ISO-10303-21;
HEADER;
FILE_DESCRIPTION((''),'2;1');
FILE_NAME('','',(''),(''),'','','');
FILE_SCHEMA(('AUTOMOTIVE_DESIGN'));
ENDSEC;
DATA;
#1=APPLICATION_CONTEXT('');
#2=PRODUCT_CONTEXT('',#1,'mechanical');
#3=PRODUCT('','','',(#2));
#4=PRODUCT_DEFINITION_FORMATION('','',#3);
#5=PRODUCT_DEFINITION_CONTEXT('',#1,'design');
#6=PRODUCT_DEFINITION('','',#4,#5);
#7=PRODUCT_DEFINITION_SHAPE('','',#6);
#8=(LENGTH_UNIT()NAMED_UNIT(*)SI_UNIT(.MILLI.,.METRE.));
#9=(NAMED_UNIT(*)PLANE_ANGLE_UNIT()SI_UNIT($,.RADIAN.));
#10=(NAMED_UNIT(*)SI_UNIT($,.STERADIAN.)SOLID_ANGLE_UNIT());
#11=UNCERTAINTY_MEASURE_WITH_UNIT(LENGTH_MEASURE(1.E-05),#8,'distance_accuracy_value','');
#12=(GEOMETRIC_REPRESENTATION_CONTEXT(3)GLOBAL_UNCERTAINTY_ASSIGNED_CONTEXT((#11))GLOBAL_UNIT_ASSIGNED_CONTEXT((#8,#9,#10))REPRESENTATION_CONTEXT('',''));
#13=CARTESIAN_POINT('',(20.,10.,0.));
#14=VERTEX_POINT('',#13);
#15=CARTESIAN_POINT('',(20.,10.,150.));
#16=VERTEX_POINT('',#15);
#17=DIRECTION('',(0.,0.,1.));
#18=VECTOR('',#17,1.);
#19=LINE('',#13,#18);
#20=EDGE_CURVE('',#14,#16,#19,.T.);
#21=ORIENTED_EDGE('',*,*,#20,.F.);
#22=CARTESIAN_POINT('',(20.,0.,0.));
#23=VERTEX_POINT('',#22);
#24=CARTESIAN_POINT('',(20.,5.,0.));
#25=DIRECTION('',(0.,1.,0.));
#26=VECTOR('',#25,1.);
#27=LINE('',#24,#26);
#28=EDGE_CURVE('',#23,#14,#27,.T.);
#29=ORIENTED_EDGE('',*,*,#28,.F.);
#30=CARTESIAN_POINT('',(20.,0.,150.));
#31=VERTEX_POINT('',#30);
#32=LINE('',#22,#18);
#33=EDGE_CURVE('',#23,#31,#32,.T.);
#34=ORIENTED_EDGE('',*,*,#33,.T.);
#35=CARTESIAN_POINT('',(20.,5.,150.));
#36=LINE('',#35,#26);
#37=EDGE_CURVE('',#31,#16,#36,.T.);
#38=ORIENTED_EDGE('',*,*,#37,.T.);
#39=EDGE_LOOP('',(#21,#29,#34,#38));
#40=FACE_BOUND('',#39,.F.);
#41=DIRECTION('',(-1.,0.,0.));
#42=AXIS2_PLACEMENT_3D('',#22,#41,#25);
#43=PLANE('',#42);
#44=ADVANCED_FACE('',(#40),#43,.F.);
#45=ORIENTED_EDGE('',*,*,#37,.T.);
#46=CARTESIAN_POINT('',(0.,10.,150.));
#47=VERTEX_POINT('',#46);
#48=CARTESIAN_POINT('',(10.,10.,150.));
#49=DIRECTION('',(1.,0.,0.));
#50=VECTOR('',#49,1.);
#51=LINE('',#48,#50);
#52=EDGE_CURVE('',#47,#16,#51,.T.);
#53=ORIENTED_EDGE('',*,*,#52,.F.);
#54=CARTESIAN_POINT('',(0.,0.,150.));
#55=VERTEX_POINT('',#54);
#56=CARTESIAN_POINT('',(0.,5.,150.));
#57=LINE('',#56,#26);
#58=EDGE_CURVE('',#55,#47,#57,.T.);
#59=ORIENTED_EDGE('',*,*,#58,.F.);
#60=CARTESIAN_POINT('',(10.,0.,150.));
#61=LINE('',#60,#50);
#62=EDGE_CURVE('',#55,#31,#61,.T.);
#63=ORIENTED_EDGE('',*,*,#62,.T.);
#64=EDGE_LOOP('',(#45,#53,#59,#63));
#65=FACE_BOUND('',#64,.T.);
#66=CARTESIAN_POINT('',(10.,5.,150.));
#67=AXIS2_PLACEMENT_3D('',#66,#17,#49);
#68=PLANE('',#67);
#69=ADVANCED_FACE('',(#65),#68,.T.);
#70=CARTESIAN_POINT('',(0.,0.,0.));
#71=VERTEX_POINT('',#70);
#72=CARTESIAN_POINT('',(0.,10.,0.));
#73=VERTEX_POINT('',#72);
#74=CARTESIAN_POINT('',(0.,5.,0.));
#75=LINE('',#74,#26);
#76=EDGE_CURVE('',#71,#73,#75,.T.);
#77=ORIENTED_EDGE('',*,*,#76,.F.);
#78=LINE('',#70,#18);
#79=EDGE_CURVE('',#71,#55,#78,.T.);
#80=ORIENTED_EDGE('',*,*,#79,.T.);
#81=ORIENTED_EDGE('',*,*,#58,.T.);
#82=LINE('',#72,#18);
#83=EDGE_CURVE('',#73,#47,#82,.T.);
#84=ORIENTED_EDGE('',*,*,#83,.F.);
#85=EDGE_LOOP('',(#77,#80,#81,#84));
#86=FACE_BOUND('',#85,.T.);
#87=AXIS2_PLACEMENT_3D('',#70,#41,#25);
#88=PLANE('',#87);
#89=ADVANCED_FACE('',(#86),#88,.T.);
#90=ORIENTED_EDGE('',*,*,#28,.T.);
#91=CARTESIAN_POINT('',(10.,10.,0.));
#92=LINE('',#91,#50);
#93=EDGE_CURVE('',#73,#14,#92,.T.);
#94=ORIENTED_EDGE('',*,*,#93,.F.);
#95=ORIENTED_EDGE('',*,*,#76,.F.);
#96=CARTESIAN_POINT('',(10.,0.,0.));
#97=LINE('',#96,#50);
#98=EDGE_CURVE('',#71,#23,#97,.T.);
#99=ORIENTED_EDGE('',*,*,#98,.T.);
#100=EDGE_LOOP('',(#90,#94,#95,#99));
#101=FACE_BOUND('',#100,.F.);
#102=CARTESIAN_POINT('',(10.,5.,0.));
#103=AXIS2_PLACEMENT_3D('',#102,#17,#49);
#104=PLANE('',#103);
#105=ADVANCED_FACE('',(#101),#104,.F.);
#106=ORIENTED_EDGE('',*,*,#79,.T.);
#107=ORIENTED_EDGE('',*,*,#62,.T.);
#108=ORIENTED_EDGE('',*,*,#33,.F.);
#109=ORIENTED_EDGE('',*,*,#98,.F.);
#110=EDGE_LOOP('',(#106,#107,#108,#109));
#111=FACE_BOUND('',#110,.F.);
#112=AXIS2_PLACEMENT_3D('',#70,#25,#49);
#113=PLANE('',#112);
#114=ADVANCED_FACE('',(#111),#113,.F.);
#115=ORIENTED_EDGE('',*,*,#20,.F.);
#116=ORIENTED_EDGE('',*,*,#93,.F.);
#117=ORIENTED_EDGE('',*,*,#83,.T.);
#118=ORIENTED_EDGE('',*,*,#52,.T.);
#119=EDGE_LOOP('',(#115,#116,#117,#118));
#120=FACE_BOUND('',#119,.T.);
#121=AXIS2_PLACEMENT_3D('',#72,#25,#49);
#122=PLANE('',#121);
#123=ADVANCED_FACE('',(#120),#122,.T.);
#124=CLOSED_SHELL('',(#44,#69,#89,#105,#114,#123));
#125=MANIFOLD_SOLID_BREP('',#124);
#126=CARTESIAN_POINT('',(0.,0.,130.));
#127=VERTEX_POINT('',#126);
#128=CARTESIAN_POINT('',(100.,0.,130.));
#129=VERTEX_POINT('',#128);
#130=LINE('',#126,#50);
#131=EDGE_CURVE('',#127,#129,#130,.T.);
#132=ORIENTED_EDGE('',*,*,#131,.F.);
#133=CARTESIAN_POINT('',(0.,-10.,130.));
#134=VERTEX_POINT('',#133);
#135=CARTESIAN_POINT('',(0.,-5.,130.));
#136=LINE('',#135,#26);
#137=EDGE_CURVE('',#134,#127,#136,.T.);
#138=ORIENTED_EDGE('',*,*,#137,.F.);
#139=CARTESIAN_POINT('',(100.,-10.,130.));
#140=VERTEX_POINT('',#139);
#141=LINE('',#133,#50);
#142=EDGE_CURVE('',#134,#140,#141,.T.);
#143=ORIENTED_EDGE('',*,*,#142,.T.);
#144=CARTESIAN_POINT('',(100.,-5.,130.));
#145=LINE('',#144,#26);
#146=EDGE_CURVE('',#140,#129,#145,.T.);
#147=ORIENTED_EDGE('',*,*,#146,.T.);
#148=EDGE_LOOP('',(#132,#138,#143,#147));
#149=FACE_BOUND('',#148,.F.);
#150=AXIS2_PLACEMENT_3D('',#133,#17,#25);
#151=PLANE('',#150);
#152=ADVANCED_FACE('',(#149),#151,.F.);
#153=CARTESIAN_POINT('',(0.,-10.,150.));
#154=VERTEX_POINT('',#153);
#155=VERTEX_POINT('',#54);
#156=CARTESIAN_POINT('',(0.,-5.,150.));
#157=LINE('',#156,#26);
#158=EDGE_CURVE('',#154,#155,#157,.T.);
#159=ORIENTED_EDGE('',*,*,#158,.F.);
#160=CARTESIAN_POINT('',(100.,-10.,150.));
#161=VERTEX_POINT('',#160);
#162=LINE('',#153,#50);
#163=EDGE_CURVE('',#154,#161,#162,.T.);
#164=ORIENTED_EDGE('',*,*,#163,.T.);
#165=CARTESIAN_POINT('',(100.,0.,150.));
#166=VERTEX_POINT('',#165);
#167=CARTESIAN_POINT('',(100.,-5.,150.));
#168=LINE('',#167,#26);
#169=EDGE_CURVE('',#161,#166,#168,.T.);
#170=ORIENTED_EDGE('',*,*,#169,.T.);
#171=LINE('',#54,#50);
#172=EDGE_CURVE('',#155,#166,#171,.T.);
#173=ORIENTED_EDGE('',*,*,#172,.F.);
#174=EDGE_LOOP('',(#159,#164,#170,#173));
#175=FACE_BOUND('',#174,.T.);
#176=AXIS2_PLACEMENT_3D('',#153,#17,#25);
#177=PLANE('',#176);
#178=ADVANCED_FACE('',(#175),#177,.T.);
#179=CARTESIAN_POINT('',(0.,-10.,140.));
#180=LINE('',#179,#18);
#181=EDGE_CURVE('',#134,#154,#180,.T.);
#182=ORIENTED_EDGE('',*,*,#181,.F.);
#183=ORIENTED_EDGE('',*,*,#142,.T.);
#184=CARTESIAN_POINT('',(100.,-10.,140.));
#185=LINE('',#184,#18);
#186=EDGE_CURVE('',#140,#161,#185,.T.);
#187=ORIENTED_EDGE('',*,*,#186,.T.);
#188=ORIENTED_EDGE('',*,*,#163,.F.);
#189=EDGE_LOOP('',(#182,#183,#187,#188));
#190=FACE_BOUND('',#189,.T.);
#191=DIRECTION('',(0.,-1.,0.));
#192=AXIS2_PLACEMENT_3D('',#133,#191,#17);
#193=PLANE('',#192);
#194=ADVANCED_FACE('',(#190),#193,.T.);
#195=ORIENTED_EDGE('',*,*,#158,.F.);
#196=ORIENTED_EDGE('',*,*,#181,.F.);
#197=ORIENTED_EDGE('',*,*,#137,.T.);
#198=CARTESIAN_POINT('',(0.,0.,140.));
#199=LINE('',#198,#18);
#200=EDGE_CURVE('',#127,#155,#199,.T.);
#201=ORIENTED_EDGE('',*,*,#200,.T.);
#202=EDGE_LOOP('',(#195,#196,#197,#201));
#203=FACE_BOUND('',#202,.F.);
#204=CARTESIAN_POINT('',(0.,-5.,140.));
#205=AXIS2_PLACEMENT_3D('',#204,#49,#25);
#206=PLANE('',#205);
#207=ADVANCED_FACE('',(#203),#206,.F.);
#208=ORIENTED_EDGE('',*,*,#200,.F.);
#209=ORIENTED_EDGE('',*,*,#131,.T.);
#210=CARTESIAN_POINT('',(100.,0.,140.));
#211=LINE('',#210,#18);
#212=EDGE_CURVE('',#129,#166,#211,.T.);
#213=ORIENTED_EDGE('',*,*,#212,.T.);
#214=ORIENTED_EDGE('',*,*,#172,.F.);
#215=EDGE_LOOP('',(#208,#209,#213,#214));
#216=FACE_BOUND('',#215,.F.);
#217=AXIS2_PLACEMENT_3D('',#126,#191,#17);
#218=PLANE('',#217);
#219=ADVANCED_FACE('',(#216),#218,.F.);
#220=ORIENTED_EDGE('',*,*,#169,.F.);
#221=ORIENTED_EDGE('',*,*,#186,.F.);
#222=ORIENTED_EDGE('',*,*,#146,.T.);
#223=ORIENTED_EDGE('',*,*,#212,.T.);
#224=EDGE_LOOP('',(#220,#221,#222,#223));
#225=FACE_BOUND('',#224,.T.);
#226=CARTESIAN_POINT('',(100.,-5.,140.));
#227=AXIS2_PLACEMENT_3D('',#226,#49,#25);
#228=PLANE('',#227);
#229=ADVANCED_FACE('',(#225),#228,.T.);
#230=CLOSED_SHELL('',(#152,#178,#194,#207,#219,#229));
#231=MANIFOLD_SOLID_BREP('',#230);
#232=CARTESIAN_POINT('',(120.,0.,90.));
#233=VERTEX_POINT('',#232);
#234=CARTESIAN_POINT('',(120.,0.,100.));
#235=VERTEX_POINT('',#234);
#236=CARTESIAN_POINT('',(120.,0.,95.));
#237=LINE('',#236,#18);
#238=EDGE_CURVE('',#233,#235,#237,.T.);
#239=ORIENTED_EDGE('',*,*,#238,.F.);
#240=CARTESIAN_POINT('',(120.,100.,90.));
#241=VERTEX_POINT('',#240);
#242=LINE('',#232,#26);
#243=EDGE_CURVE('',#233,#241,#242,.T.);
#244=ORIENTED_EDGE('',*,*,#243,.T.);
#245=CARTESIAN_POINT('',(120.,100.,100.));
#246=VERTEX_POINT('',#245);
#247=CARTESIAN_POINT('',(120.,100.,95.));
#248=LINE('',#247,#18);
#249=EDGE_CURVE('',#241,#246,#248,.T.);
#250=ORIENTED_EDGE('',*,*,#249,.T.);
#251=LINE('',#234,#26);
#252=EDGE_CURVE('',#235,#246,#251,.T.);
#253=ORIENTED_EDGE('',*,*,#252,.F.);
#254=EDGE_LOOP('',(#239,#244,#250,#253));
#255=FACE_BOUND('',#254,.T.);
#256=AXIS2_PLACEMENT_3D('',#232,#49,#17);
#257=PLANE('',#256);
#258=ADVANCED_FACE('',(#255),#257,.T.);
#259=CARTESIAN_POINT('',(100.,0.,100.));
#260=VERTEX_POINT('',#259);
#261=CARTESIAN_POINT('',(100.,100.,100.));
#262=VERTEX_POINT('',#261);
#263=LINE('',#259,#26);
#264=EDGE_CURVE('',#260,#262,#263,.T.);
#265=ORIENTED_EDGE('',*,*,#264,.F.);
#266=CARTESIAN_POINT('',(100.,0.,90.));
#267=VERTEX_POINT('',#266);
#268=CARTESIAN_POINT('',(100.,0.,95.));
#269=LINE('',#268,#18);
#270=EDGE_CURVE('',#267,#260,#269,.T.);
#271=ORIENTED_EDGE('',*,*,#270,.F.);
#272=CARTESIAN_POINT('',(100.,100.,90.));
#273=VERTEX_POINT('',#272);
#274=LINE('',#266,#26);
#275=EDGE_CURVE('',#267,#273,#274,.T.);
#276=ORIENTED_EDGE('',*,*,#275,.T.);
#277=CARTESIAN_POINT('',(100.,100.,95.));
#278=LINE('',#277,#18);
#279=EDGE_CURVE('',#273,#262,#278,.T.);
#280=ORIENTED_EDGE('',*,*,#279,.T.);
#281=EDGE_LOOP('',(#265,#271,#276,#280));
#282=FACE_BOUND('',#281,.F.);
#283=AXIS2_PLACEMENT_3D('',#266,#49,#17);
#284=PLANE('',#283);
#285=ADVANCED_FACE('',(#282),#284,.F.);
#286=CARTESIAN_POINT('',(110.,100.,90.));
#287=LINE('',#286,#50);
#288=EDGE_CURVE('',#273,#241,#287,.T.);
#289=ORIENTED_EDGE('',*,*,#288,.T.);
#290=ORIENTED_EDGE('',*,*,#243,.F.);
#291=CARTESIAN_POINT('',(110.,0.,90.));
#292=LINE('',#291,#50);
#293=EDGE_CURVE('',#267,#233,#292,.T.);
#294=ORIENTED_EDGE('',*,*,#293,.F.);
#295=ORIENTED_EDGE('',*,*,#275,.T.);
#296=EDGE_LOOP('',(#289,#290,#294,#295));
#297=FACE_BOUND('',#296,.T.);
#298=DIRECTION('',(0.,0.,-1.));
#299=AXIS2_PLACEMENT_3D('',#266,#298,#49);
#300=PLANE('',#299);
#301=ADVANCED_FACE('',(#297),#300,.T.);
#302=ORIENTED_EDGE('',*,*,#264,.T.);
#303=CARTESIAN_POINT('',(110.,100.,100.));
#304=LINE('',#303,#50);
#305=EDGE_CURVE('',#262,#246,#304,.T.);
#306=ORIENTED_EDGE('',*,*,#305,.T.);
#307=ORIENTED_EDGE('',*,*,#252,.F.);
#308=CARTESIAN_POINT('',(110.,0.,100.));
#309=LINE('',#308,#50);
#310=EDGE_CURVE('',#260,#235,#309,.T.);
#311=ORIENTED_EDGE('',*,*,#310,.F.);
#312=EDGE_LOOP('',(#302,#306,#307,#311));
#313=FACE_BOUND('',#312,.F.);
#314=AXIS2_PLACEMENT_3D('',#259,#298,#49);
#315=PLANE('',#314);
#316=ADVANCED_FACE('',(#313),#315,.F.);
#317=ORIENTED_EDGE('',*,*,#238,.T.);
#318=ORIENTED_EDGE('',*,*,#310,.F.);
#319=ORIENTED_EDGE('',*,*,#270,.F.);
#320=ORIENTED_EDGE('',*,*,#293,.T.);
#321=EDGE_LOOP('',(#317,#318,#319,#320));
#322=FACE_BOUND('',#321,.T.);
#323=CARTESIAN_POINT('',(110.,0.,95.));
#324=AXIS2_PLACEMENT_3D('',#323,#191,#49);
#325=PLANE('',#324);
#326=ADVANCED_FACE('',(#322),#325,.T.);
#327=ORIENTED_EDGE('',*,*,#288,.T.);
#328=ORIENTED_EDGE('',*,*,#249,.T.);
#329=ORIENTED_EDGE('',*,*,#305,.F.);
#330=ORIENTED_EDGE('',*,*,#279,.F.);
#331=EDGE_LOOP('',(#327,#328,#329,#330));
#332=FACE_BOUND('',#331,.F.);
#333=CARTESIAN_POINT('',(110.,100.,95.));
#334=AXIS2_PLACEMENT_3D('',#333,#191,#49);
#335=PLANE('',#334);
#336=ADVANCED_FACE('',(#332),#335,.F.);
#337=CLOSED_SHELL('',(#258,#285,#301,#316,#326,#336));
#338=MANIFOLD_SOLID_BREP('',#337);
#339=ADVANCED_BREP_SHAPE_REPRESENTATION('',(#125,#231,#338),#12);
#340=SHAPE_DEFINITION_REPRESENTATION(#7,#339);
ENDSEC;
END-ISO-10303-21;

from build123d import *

# Parameters (mm, degrees)
F0_W     = 20
F0_H     = 10
F3_DEPTH = 150
F1_W     = 10
F1_H     = 20
F4_DEPTH = 100
F2_W     = 20
F2_H     = 10
F5_DEPTH = 100


with BuildPart() as f3:
    # F0 (on Top) → F3 (new body, through all)
    with BuildSketch(Plane.XY):
        with Locations((10, 5)):
            Rectangle(F0_W, F0_H)
    extrude(amount=F3_DEPTH)


with BuildPart() as f4:
    # F1 (on Right) → F4 (new body, through all)
    with BuildSketch(Plane.YZ):
        with Locations((-5, 140)):
            Rectangle(F1_W, F1_H)
    extrude(amount=F4_DEPTH)


with BuildPart() as f5:
    # F2 (on Front) → F5 (new body, through all)
    with BuildSketch(Plane.XZ):
        with Locations((110, 95)):
            Rectangle(F2_W, F2_H)
    extrude(amount=-F5_DEPTH)


solid = Compound([f3.part, f4.part, f5.part])
